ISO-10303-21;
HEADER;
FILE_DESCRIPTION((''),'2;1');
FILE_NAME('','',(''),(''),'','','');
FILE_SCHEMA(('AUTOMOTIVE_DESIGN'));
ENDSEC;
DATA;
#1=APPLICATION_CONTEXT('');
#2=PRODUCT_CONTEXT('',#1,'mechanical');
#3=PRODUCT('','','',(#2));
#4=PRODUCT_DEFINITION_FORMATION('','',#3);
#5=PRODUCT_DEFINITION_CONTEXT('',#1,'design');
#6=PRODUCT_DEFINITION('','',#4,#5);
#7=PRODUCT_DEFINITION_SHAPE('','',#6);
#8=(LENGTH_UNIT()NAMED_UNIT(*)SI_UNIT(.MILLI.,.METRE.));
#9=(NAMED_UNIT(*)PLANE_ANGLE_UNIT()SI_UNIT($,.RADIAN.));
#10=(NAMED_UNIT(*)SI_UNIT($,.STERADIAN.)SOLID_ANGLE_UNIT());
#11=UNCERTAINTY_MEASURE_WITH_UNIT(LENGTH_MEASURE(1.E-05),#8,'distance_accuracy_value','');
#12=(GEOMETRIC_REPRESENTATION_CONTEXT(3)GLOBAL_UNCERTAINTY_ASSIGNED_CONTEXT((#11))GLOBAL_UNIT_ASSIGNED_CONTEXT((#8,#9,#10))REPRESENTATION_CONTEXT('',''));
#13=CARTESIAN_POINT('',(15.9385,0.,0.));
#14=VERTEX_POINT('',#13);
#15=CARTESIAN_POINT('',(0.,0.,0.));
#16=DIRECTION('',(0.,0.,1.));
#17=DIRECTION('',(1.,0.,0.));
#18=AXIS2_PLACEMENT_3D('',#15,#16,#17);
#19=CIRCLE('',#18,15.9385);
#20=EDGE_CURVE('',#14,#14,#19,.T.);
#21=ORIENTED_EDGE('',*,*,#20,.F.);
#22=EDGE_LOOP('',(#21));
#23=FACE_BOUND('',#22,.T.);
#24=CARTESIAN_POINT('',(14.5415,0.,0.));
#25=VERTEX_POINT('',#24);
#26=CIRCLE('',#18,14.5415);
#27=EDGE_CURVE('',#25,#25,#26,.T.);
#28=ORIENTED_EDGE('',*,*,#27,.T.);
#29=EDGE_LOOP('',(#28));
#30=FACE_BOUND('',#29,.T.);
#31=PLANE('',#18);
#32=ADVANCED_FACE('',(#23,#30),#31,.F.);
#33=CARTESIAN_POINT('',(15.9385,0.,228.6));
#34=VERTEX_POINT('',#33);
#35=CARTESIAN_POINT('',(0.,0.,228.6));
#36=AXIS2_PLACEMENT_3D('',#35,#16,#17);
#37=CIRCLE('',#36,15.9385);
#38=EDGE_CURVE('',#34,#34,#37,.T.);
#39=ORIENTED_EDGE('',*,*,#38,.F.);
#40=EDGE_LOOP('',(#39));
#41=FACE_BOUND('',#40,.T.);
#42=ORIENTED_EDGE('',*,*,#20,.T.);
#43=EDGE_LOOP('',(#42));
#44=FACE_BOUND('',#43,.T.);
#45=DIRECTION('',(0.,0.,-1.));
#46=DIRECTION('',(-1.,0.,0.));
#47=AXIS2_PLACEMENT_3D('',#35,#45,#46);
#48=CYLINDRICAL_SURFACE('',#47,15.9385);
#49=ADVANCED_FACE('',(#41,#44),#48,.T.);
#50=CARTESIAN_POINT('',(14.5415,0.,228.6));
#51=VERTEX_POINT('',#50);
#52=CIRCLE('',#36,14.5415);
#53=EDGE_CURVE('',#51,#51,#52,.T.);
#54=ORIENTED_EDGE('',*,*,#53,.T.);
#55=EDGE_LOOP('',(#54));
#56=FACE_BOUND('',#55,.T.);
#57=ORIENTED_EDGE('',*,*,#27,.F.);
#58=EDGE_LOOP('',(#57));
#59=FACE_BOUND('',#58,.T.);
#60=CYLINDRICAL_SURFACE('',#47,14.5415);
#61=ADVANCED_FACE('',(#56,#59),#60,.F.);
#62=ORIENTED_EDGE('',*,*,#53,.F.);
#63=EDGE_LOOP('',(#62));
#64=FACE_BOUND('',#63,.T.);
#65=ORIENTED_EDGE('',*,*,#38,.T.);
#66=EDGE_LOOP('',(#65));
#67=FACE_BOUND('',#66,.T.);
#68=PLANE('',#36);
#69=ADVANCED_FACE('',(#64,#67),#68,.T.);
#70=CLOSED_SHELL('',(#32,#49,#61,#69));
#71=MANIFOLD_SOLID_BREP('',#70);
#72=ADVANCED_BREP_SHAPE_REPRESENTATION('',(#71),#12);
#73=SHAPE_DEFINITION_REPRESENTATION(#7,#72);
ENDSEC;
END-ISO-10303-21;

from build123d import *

# Parameters (mm, degrees)
SKETCH1_R           = 15.9385
SKETCH1_R_2         = 14.5415
BOSS_EXTRUDE1_DEPTH = 228.6


with BuildPart() as part:
    # Sketch1 → Boss-Extrude1 (new body)
    with BuildSketch(Plane.XY):
        Circle(SKETCH1_R)
        Circle(SKETCH1_R_2, mode=Mode.SUBTRACT)
    extrude(amount=BOSS_EXTRUDE1_DEPTH)


solid = part.part
